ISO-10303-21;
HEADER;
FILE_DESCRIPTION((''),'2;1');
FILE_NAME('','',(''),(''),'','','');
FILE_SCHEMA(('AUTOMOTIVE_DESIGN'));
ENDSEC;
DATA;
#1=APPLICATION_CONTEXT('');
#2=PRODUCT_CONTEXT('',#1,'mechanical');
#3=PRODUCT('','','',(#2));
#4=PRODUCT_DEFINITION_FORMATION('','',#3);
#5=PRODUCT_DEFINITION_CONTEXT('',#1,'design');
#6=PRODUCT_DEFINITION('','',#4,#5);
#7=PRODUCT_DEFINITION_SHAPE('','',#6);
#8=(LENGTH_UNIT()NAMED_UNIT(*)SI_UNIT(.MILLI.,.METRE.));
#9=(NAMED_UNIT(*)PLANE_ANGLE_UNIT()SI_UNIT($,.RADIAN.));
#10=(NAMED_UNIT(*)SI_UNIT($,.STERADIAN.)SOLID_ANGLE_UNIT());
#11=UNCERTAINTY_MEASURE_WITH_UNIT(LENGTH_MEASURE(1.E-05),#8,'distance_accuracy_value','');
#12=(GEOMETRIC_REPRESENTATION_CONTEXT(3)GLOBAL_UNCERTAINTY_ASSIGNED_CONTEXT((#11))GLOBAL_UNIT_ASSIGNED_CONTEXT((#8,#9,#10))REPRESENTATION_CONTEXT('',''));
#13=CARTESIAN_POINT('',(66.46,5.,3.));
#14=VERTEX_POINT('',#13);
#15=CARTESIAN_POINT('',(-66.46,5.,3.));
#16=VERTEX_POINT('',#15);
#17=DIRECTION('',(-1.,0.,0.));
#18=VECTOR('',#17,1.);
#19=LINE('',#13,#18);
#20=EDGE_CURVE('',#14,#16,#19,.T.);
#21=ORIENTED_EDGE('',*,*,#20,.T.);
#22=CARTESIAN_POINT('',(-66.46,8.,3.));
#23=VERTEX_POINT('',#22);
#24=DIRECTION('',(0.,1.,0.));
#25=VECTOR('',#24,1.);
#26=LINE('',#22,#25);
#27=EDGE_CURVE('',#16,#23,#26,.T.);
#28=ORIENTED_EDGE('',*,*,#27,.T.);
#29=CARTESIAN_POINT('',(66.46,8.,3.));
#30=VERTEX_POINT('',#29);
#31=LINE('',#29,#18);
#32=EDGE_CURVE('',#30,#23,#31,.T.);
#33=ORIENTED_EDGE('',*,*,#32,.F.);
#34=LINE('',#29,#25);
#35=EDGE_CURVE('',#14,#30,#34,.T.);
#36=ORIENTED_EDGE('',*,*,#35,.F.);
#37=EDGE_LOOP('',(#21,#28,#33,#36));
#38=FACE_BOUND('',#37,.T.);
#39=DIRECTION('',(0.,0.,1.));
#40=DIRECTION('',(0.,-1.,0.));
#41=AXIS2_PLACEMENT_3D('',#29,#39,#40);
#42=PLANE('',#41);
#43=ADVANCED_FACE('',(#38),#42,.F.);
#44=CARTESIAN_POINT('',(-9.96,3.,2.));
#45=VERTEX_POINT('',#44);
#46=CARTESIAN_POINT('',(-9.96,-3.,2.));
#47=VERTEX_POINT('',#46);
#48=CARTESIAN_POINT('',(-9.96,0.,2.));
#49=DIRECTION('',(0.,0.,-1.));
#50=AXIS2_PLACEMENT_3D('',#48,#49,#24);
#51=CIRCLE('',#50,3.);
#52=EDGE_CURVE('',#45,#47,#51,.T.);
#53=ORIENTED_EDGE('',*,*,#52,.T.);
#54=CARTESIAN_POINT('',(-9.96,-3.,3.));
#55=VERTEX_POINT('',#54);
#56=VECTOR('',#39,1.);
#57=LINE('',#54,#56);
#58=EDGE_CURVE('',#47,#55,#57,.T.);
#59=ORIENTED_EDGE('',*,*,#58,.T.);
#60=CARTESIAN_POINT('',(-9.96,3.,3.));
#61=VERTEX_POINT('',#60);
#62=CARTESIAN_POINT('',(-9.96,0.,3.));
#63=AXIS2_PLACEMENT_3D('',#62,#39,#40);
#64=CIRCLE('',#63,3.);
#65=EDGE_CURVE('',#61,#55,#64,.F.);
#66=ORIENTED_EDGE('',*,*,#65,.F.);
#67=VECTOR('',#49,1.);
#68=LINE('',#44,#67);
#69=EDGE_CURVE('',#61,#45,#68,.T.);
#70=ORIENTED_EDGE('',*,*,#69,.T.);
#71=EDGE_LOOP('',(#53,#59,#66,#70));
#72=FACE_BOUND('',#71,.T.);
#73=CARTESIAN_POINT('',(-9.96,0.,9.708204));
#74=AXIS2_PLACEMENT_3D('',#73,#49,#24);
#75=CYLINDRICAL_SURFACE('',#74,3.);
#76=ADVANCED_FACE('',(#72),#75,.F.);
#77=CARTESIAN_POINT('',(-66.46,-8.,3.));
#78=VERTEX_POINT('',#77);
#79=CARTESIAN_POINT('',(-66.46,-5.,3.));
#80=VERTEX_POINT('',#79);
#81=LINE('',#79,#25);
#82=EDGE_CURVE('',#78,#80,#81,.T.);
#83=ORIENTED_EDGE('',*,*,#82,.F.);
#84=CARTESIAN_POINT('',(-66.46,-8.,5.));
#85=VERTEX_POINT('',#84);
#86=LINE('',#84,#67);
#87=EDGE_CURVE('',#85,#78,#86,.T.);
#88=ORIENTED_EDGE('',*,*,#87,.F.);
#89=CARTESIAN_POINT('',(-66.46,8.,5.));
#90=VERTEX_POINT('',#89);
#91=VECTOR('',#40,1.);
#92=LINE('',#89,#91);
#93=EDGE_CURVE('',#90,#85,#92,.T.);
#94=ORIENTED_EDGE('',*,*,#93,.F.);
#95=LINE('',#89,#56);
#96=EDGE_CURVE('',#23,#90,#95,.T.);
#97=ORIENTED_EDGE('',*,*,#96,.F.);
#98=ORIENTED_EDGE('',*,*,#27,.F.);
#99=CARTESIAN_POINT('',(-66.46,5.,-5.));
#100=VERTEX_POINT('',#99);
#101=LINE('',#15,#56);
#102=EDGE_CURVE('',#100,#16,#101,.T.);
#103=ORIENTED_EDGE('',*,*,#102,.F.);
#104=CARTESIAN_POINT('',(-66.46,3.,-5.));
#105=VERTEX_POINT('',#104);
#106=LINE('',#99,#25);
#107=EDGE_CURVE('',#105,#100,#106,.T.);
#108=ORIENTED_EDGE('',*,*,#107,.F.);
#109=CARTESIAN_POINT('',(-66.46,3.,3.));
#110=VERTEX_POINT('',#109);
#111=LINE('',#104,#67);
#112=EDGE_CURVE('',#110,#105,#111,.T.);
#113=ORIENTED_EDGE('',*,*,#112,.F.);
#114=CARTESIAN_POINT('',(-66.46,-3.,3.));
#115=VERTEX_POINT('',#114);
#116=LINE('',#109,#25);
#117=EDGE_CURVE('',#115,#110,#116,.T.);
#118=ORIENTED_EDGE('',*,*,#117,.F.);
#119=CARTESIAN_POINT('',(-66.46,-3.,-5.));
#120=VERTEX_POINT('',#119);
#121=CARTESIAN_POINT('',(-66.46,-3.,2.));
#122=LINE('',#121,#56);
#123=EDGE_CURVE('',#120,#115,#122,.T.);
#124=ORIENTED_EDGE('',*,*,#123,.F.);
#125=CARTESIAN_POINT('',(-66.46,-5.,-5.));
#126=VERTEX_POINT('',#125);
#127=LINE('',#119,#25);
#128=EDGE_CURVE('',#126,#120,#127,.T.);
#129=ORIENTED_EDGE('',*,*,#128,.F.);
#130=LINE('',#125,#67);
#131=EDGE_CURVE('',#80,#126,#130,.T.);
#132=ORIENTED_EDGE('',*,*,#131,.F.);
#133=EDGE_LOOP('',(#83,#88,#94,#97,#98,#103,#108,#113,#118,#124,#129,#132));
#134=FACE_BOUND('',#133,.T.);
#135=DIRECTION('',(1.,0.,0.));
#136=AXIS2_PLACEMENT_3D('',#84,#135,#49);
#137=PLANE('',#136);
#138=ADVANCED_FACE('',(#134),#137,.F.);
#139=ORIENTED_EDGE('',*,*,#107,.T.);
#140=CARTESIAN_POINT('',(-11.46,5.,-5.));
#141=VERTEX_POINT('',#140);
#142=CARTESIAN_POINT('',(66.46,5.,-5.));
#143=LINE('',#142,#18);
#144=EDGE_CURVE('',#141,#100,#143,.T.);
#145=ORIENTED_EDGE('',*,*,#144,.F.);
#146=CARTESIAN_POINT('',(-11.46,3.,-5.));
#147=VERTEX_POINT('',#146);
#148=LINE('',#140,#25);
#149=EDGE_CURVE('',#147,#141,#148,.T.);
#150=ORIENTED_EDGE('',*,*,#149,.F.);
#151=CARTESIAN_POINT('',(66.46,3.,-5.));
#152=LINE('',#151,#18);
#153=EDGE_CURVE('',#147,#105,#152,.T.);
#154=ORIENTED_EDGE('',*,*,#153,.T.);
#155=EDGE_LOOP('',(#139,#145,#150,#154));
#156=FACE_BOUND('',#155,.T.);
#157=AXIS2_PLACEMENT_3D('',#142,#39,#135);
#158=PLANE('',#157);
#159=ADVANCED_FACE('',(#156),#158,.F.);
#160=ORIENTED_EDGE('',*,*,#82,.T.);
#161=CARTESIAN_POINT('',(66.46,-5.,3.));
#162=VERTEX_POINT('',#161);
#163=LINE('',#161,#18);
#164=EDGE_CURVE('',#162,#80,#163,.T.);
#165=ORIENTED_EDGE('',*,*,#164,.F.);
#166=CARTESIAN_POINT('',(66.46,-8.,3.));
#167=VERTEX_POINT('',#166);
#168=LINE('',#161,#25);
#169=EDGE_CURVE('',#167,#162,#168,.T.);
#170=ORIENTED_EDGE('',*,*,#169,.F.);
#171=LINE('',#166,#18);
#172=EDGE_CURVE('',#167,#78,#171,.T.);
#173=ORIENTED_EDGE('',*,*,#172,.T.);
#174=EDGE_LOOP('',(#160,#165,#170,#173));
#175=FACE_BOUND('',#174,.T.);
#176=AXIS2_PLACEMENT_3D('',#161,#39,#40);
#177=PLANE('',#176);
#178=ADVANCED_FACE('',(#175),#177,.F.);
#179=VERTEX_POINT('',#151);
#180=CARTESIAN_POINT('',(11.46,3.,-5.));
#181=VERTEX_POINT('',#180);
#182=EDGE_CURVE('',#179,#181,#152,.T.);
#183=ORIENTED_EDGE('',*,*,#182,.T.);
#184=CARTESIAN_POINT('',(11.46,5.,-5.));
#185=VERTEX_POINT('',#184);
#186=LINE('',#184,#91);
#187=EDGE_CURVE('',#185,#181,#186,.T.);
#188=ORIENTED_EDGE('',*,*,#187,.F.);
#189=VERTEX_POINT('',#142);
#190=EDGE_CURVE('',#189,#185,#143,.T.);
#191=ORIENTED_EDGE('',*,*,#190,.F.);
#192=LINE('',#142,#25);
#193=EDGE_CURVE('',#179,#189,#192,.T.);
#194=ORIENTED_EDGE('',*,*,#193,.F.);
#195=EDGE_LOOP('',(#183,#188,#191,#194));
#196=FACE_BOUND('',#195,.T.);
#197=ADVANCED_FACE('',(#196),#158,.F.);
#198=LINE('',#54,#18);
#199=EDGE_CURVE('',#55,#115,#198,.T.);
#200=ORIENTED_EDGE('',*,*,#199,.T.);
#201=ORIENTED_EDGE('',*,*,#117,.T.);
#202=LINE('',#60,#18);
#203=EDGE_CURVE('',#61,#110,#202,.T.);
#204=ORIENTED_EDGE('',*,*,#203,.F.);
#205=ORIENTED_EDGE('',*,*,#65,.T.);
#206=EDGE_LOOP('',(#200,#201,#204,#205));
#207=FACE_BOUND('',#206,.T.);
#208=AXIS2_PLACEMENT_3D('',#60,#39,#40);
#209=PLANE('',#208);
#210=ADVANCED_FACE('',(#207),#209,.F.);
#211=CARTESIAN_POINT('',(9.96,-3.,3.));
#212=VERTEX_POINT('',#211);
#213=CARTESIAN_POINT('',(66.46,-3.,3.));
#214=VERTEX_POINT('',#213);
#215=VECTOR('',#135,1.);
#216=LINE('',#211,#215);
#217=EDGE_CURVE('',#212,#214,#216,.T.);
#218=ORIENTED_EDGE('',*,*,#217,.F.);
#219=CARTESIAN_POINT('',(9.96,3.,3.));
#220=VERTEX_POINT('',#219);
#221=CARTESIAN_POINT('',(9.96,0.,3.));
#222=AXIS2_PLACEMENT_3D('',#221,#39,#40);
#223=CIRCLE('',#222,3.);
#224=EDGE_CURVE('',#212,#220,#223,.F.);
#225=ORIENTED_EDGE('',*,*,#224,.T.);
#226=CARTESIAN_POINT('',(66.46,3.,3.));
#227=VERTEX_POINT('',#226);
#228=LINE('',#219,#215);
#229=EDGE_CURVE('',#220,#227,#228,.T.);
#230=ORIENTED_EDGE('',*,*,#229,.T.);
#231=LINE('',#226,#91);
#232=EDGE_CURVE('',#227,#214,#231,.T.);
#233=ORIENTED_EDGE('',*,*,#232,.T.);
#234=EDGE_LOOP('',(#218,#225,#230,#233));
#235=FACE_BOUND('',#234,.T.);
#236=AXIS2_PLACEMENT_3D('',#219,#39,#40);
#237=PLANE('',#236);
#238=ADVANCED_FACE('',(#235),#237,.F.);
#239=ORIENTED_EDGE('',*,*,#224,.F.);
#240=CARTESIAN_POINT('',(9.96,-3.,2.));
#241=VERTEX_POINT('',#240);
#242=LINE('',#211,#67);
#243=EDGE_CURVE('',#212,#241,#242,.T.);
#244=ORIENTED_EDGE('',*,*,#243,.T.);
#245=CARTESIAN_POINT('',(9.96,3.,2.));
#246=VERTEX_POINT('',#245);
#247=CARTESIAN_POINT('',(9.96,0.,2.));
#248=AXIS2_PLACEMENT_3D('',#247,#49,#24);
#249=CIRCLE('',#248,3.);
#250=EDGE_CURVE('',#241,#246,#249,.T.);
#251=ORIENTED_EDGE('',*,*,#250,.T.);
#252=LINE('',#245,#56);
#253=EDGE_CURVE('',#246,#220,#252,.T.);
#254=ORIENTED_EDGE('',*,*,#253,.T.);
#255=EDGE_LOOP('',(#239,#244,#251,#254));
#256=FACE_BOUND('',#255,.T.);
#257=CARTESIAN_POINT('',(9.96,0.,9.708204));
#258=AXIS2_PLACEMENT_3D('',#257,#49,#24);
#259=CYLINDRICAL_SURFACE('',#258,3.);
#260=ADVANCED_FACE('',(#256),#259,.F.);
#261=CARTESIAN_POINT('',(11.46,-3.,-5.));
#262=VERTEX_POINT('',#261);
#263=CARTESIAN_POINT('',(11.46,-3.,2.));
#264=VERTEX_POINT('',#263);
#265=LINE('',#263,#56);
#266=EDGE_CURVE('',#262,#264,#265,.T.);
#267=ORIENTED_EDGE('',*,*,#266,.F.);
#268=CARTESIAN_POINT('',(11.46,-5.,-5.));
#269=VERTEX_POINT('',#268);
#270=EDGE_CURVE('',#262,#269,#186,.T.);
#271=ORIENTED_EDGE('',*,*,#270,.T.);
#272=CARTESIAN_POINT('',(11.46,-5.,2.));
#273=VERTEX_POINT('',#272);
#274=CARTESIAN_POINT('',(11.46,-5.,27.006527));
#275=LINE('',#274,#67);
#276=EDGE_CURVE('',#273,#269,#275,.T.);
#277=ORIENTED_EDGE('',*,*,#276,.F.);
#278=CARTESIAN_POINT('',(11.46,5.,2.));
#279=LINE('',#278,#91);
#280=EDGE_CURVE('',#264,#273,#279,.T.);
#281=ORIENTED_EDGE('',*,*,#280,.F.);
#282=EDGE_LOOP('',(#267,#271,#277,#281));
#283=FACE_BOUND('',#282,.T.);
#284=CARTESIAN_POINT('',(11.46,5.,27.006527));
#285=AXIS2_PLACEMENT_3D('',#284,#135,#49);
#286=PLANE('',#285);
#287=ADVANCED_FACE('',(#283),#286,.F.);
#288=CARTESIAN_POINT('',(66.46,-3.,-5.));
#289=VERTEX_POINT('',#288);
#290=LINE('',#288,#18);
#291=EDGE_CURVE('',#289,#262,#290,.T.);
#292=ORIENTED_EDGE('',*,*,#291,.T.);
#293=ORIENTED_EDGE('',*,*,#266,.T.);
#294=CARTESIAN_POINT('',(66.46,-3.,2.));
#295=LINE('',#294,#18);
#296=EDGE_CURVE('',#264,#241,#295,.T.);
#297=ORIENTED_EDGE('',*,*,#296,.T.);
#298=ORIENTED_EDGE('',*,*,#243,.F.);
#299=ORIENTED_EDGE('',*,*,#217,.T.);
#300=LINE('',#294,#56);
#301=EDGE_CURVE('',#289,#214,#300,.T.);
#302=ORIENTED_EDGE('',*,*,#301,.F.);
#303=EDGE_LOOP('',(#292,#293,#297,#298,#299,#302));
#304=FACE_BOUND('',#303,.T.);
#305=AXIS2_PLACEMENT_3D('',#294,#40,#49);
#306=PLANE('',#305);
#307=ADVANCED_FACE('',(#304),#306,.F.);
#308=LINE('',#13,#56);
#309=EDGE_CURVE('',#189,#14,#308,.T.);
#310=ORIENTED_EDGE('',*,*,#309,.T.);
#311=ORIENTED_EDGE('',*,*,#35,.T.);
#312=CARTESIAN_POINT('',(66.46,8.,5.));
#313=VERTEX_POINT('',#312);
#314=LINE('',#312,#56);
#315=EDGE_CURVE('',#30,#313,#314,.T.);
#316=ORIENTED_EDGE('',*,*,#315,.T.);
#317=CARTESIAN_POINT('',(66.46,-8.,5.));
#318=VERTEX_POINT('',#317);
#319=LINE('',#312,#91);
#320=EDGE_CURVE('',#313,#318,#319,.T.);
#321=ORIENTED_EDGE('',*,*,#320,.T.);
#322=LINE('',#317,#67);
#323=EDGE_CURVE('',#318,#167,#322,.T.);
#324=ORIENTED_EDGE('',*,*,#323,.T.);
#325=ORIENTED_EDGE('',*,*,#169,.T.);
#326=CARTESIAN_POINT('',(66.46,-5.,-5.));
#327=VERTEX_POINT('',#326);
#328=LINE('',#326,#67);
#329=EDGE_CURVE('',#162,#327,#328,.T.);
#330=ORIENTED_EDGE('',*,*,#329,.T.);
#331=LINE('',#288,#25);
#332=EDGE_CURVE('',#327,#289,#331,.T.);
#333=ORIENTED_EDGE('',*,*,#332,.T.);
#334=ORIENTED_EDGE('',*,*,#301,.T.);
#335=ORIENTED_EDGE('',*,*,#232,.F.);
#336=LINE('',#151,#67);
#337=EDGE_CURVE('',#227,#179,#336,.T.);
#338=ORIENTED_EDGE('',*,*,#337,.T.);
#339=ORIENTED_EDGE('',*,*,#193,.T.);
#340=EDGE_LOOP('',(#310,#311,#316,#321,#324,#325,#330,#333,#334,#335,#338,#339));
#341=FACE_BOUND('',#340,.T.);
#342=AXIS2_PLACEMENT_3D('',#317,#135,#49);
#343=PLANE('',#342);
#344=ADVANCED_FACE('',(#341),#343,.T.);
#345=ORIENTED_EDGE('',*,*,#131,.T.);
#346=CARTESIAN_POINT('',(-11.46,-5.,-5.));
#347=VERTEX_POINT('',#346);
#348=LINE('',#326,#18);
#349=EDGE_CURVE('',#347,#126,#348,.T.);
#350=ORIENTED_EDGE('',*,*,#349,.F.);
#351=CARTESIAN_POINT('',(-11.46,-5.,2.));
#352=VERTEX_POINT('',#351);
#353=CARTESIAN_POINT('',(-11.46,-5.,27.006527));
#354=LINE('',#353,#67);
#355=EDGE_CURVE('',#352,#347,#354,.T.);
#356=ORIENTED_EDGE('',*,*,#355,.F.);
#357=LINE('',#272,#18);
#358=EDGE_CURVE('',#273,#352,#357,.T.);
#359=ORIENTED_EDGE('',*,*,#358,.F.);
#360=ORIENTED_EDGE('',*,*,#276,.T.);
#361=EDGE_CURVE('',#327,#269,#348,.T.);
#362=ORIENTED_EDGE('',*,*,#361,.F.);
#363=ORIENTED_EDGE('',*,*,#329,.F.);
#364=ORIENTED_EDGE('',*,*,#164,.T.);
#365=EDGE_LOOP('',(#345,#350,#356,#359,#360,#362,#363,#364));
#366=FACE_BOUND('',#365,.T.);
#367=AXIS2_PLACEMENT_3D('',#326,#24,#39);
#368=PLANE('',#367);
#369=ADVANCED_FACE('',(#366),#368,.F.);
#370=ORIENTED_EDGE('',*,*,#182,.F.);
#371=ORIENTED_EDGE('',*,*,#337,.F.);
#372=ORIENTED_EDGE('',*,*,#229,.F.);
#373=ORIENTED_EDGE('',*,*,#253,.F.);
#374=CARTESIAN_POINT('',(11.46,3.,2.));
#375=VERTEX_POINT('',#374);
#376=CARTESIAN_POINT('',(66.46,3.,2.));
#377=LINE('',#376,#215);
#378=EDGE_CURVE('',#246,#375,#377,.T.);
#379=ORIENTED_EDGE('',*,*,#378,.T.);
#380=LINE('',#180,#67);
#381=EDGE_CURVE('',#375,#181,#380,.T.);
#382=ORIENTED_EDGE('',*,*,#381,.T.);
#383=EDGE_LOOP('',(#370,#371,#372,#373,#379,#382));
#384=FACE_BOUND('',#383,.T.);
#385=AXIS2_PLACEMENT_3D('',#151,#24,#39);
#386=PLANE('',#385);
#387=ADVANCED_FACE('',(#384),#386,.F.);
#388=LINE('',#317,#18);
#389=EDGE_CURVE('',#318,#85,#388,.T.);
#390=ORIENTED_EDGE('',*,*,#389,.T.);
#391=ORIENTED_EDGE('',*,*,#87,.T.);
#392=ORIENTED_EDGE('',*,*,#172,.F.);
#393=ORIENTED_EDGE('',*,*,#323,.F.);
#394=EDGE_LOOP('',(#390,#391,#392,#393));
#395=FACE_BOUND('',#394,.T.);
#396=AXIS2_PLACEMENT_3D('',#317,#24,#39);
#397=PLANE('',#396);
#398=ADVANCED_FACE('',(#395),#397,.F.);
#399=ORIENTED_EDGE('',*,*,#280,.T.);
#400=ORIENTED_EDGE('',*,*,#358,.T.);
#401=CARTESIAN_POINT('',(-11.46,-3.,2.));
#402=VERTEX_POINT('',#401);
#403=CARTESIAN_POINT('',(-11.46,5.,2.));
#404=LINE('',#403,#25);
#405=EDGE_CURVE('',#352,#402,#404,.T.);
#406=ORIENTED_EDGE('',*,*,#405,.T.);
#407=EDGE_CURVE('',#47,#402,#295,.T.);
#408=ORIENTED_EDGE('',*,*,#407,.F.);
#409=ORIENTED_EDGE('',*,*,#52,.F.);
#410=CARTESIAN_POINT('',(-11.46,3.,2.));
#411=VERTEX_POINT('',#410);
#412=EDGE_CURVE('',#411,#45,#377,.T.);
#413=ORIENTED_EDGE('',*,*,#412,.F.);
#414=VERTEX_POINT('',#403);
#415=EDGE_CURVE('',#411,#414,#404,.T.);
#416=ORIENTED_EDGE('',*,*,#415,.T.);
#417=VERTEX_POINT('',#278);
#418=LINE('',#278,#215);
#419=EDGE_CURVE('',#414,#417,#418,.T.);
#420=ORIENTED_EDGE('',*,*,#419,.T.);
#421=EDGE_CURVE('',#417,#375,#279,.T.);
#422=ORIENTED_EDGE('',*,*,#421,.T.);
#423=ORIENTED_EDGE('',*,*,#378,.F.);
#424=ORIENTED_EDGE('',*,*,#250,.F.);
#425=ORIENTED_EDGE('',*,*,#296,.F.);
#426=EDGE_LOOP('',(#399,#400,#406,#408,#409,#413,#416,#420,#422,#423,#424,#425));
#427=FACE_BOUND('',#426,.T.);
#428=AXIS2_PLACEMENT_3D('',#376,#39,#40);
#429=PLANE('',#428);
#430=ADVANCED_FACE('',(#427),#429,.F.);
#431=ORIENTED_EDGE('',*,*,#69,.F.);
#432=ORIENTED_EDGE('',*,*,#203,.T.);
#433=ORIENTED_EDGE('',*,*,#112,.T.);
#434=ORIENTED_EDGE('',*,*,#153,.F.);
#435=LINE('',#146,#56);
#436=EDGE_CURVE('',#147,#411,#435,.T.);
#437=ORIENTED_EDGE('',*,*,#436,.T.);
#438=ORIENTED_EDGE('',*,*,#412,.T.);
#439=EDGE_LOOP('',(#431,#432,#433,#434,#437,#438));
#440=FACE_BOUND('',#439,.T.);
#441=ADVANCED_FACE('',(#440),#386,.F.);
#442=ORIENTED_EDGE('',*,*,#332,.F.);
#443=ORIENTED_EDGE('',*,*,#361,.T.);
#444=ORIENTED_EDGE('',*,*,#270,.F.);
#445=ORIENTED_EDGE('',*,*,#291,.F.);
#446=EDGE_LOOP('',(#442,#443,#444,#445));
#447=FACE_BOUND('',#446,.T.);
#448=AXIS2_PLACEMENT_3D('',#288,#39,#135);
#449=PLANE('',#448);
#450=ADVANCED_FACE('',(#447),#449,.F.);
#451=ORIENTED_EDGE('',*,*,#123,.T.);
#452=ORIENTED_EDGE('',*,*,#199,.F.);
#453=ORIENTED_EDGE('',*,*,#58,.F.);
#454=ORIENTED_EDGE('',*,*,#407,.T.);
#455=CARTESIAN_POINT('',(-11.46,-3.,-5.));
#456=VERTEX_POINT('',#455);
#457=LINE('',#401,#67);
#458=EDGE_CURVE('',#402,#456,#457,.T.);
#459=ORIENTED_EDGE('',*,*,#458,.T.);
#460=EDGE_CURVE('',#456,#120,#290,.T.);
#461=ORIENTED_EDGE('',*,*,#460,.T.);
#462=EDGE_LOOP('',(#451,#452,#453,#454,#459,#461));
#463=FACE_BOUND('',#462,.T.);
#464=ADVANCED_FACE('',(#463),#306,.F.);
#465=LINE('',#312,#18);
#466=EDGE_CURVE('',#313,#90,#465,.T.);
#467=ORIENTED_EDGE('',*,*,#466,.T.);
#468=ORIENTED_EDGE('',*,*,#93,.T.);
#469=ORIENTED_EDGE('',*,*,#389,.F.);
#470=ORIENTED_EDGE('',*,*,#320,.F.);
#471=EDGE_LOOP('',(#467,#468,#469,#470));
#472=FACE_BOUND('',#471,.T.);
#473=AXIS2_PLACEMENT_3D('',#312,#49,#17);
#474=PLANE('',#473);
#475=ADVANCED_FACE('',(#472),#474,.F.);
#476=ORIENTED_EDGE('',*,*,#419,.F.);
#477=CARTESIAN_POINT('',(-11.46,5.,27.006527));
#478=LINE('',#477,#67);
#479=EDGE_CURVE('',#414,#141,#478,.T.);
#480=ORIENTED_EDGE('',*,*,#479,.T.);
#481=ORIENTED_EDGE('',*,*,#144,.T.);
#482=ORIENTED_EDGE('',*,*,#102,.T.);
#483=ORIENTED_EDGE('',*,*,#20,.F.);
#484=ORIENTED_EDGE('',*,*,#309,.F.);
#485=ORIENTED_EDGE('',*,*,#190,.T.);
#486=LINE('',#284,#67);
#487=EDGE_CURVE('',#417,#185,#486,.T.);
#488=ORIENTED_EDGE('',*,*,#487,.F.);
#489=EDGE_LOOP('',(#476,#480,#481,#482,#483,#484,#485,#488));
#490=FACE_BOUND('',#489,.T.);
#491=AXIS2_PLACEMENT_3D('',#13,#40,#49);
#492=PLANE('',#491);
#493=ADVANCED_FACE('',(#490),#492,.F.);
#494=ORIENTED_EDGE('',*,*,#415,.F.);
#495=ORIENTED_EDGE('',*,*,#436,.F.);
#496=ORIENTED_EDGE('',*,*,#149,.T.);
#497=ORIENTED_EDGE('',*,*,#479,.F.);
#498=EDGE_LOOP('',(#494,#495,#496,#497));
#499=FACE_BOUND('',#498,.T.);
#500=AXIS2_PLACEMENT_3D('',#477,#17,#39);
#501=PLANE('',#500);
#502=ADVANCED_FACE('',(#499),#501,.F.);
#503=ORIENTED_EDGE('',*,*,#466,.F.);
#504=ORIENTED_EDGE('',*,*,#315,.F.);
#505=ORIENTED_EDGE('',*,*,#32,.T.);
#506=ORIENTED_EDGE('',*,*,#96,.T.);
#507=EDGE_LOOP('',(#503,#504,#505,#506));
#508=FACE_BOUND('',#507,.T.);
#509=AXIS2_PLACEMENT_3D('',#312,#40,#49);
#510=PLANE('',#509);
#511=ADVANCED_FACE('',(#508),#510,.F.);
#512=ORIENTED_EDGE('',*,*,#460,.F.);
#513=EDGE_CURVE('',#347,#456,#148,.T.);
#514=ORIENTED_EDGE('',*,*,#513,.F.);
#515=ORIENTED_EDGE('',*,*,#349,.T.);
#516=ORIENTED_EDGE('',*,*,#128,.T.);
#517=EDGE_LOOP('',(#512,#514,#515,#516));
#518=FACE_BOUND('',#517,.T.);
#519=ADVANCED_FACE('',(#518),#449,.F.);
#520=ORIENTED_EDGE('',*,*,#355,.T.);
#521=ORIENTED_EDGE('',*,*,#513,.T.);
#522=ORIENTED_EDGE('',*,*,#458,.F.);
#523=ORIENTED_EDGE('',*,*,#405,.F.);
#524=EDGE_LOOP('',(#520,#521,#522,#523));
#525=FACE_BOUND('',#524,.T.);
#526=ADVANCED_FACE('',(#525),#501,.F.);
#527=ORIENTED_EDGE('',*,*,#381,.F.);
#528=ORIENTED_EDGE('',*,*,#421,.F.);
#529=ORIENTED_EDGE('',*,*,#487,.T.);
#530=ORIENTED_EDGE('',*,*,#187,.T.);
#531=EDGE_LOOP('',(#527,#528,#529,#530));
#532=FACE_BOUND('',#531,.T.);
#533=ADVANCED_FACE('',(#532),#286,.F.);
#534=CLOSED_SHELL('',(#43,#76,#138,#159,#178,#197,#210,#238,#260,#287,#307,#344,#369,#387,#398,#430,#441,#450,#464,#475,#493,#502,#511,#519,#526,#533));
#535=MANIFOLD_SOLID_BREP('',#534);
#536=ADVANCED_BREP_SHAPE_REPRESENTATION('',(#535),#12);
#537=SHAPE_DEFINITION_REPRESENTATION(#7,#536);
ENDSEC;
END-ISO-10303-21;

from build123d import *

# Parameters (mm, degrees)
EXTRUDE1_DEPTH = 66.46
SKETCH2_W      = 1
SKETCH2_H      = 6
EXTRUDE2_DEPTH = 56.5
SKETCH3_W      = 1
SKETCH3_H      = 6
EXTRUDE3_DEPTH = 56.5
EXTRUDE4_DEPTH = 1
SKETCH5_W      = 22.92
SKETCH5_H      = 10
EXTRUDE5_DEPTH = 7


with BuildPart() as part:
    # Sketch1 → Extrude1 (new body, symmetric)
    with BuildSketch(Plane(origin=(0, 0, 0), x_dir=(0, 0, -1), z_dir=(1, 0, 0))):
        Polygon((-3, 8), (-3, 5), (5, 5), (5, 3), (-2, 3), (-2, -3), (5, -3), (5, -5), (-3, -5), (-3, -8), (-5, -8), (-5, 8), align=None)
    extrude(amount=EXTRUDE1_DEPTH, both=True)

    # Sketch2 → Extrude2 (cut)
    with BuildSketch(Plane.ZY.offset(66.46)):
        with Locations((2.5, 0)):
            Rectangle(SKETCH2_W, SKETCH2_H)
    extrude(amount=-EXTRUDE2_DEPTH, mode=Mode.SUBTRACT)

    # Sketch3 → Extrude3 (cut)
    with BuildSketch(Plane(origin=(66.46, 0, 0), x_dir=(0, 0, -1), z_dir=(1, 0, 0))):
        with Locations((-2.5, 0)):
            Rectangle(SKETCH3_W, SKETCH3_H)
    extrude(amount=-EXTRUDE3_DEPTH, mode=Mode.SUBTRACT)

    # Sketch4 → Extrude4 (cut)
    with BuildSketch(Plane(origin=(0, 0, 2), x_dir=(-1, 0, 0), z_dir=(0, 0, -1))):
        with BuildLine():
            Line((-9.96, 3), (-9.96, -3))
            ThreePointArc((-9.96, -3), (-6.96, 0), (-9.96, 3))
        make_face()
        with BuildLine():
            Line((9.96, 3), (9.96, -3))
            ThreePointArc((9.96, -3), (6.96, 0), (9.96, 3))
        make_face()
    extrude(amount=-EXTRUDE4_DEPTH, mode=Mode.SUBTRACT)

    # Sketch5 → Extrude5 (cut)
    with BuildSketch(Plane(origin=(0, 0, -5), x_dir=(-1, 0, 0), z_dir=(0, 0, -1))):
        Rectangle(SKETCH5_W, SKETCH5_H)
    extrude(amount=-EXTRUDE5_DEPTH, mode=Mode.SUBTRACT)


solid = part.part
